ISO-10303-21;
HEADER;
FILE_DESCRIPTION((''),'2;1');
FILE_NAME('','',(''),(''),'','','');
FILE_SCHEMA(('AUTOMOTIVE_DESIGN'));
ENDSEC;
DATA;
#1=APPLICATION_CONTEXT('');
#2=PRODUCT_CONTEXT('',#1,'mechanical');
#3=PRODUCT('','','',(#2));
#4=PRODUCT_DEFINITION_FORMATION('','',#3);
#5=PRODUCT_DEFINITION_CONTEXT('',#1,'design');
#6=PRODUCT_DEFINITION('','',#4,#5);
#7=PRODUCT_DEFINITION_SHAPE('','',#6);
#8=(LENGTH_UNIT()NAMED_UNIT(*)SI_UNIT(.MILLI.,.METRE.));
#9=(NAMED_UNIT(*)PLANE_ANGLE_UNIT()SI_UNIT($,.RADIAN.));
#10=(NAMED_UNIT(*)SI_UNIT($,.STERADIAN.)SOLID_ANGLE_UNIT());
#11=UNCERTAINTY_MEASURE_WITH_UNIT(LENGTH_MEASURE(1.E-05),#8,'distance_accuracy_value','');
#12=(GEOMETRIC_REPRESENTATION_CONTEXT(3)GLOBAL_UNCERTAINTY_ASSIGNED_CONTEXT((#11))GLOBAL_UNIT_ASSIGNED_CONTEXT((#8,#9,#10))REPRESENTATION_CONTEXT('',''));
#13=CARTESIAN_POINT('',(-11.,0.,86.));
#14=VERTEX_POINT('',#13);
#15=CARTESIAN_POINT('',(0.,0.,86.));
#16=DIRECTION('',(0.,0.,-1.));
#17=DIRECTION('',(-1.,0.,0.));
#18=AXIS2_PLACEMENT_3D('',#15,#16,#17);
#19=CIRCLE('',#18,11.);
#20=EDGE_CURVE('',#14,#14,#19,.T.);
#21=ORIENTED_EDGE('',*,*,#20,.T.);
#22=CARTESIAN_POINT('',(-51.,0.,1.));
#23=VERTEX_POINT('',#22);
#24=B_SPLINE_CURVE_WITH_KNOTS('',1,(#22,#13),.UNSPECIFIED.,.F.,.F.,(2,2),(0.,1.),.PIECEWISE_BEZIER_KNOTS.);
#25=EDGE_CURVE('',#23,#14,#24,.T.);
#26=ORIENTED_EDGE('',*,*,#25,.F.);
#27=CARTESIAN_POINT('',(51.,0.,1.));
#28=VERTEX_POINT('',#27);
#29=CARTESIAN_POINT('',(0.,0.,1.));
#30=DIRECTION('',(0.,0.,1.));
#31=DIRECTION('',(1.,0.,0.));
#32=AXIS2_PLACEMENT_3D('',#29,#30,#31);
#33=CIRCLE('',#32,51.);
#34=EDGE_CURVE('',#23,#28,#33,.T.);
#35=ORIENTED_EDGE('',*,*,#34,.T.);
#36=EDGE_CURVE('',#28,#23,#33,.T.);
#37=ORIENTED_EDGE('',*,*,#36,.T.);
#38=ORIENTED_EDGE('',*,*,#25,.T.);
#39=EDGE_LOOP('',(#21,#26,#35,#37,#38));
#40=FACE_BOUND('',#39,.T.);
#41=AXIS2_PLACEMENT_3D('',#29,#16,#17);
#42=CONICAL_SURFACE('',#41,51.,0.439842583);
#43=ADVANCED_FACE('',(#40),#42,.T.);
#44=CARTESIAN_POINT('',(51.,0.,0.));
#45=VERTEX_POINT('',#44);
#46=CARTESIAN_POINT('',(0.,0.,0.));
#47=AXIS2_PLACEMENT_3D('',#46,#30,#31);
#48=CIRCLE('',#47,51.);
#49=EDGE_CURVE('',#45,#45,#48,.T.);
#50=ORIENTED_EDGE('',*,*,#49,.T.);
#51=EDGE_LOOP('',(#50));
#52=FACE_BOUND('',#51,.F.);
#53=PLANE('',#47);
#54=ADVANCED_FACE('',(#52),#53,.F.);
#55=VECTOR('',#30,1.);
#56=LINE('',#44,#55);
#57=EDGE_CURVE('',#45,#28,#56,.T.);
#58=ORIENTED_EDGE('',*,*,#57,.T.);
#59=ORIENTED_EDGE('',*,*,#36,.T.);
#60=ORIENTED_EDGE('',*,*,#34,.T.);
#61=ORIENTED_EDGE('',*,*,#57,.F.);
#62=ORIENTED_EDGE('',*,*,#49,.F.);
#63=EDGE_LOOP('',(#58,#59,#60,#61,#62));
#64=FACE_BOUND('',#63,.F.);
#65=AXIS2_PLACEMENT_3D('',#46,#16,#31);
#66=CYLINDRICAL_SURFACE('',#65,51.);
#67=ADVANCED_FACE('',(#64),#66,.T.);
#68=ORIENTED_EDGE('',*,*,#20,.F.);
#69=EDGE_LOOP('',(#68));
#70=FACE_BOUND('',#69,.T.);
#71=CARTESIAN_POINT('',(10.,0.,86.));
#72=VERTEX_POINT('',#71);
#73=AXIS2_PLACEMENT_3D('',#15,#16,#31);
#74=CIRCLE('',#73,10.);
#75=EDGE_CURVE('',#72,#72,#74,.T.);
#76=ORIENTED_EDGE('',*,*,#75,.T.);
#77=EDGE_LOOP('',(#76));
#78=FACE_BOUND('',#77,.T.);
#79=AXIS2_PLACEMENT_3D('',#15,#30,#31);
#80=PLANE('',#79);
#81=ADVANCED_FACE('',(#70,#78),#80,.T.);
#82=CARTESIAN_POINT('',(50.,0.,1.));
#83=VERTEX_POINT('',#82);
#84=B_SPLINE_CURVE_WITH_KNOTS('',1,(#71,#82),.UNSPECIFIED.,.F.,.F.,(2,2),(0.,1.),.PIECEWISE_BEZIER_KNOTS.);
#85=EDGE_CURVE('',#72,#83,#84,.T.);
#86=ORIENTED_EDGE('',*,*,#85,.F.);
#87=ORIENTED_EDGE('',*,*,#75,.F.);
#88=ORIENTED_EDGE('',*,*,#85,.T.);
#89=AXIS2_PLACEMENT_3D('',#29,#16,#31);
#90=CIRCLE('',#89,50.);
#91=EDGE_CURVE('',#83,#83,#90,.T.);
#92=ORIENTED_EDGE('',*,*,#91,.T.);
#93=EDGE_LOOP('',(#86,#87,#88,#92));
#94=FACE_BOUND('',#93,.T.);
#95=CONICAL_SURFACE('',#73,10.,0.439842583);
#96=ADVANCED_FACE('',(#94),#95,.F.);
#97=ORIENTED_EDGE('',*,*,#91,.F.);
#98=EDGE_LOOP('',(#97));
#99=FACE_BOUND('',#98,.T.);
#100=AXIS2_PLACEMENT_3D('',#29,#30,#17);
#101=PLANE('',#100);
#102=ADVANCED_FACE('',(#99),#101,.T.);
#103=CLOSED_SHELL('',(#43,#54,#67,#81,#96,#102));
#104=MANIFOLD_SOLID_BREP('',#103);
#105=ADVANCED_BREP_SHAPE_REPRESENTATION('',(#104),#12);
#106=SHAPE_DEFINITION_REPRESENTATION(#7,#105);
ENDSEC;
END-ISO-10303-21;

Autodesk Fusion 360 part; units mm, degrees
sketch "スケッチ1" plane through (0, 0, 0) normal (0, 0, 1) x (1, 0, 0)
  circle A0 centre (0, 0) radius 50
  circle A1 centre (0, 0) radius 51
  dimension "d1" = 102
ref_plane "作業平面1" through (0, 0, 86) normal (0, 0, 1) x (1, 0, 0)
sketch "スケッチ2" plane through (0, 0, 86) normal (0, 0, 1) x (1, 0, 0)
  circle A0 centre (0, 0) radius 10
  circle A1 centre (0, 0) radius 11
  dimension "d3" = 20
  dimension "d4" = 22
extrude "押し出し1" add sketch "スケッチ1" along normal blind 1 contours A0 | A1
sketch "スケッチ3" plane through (0, 0, 1) normal (0, 0, 1) x (-1, 0, 0)
  circle A0 centre (0, 0) radius 51
  circle A1 centre (0, 0) radius 51
  circle A2 centre (0, 0) radius 50
  dimension "d7" = 100
loft "ロフト1" add profiles "スケッチ3", "スケッチ2" section 1 section 2 contours A0 | A1
loft "ロフト2" cut profiles "スケッチ2", "スケッチ3" section 1 contours A0 section 2 contours A2
